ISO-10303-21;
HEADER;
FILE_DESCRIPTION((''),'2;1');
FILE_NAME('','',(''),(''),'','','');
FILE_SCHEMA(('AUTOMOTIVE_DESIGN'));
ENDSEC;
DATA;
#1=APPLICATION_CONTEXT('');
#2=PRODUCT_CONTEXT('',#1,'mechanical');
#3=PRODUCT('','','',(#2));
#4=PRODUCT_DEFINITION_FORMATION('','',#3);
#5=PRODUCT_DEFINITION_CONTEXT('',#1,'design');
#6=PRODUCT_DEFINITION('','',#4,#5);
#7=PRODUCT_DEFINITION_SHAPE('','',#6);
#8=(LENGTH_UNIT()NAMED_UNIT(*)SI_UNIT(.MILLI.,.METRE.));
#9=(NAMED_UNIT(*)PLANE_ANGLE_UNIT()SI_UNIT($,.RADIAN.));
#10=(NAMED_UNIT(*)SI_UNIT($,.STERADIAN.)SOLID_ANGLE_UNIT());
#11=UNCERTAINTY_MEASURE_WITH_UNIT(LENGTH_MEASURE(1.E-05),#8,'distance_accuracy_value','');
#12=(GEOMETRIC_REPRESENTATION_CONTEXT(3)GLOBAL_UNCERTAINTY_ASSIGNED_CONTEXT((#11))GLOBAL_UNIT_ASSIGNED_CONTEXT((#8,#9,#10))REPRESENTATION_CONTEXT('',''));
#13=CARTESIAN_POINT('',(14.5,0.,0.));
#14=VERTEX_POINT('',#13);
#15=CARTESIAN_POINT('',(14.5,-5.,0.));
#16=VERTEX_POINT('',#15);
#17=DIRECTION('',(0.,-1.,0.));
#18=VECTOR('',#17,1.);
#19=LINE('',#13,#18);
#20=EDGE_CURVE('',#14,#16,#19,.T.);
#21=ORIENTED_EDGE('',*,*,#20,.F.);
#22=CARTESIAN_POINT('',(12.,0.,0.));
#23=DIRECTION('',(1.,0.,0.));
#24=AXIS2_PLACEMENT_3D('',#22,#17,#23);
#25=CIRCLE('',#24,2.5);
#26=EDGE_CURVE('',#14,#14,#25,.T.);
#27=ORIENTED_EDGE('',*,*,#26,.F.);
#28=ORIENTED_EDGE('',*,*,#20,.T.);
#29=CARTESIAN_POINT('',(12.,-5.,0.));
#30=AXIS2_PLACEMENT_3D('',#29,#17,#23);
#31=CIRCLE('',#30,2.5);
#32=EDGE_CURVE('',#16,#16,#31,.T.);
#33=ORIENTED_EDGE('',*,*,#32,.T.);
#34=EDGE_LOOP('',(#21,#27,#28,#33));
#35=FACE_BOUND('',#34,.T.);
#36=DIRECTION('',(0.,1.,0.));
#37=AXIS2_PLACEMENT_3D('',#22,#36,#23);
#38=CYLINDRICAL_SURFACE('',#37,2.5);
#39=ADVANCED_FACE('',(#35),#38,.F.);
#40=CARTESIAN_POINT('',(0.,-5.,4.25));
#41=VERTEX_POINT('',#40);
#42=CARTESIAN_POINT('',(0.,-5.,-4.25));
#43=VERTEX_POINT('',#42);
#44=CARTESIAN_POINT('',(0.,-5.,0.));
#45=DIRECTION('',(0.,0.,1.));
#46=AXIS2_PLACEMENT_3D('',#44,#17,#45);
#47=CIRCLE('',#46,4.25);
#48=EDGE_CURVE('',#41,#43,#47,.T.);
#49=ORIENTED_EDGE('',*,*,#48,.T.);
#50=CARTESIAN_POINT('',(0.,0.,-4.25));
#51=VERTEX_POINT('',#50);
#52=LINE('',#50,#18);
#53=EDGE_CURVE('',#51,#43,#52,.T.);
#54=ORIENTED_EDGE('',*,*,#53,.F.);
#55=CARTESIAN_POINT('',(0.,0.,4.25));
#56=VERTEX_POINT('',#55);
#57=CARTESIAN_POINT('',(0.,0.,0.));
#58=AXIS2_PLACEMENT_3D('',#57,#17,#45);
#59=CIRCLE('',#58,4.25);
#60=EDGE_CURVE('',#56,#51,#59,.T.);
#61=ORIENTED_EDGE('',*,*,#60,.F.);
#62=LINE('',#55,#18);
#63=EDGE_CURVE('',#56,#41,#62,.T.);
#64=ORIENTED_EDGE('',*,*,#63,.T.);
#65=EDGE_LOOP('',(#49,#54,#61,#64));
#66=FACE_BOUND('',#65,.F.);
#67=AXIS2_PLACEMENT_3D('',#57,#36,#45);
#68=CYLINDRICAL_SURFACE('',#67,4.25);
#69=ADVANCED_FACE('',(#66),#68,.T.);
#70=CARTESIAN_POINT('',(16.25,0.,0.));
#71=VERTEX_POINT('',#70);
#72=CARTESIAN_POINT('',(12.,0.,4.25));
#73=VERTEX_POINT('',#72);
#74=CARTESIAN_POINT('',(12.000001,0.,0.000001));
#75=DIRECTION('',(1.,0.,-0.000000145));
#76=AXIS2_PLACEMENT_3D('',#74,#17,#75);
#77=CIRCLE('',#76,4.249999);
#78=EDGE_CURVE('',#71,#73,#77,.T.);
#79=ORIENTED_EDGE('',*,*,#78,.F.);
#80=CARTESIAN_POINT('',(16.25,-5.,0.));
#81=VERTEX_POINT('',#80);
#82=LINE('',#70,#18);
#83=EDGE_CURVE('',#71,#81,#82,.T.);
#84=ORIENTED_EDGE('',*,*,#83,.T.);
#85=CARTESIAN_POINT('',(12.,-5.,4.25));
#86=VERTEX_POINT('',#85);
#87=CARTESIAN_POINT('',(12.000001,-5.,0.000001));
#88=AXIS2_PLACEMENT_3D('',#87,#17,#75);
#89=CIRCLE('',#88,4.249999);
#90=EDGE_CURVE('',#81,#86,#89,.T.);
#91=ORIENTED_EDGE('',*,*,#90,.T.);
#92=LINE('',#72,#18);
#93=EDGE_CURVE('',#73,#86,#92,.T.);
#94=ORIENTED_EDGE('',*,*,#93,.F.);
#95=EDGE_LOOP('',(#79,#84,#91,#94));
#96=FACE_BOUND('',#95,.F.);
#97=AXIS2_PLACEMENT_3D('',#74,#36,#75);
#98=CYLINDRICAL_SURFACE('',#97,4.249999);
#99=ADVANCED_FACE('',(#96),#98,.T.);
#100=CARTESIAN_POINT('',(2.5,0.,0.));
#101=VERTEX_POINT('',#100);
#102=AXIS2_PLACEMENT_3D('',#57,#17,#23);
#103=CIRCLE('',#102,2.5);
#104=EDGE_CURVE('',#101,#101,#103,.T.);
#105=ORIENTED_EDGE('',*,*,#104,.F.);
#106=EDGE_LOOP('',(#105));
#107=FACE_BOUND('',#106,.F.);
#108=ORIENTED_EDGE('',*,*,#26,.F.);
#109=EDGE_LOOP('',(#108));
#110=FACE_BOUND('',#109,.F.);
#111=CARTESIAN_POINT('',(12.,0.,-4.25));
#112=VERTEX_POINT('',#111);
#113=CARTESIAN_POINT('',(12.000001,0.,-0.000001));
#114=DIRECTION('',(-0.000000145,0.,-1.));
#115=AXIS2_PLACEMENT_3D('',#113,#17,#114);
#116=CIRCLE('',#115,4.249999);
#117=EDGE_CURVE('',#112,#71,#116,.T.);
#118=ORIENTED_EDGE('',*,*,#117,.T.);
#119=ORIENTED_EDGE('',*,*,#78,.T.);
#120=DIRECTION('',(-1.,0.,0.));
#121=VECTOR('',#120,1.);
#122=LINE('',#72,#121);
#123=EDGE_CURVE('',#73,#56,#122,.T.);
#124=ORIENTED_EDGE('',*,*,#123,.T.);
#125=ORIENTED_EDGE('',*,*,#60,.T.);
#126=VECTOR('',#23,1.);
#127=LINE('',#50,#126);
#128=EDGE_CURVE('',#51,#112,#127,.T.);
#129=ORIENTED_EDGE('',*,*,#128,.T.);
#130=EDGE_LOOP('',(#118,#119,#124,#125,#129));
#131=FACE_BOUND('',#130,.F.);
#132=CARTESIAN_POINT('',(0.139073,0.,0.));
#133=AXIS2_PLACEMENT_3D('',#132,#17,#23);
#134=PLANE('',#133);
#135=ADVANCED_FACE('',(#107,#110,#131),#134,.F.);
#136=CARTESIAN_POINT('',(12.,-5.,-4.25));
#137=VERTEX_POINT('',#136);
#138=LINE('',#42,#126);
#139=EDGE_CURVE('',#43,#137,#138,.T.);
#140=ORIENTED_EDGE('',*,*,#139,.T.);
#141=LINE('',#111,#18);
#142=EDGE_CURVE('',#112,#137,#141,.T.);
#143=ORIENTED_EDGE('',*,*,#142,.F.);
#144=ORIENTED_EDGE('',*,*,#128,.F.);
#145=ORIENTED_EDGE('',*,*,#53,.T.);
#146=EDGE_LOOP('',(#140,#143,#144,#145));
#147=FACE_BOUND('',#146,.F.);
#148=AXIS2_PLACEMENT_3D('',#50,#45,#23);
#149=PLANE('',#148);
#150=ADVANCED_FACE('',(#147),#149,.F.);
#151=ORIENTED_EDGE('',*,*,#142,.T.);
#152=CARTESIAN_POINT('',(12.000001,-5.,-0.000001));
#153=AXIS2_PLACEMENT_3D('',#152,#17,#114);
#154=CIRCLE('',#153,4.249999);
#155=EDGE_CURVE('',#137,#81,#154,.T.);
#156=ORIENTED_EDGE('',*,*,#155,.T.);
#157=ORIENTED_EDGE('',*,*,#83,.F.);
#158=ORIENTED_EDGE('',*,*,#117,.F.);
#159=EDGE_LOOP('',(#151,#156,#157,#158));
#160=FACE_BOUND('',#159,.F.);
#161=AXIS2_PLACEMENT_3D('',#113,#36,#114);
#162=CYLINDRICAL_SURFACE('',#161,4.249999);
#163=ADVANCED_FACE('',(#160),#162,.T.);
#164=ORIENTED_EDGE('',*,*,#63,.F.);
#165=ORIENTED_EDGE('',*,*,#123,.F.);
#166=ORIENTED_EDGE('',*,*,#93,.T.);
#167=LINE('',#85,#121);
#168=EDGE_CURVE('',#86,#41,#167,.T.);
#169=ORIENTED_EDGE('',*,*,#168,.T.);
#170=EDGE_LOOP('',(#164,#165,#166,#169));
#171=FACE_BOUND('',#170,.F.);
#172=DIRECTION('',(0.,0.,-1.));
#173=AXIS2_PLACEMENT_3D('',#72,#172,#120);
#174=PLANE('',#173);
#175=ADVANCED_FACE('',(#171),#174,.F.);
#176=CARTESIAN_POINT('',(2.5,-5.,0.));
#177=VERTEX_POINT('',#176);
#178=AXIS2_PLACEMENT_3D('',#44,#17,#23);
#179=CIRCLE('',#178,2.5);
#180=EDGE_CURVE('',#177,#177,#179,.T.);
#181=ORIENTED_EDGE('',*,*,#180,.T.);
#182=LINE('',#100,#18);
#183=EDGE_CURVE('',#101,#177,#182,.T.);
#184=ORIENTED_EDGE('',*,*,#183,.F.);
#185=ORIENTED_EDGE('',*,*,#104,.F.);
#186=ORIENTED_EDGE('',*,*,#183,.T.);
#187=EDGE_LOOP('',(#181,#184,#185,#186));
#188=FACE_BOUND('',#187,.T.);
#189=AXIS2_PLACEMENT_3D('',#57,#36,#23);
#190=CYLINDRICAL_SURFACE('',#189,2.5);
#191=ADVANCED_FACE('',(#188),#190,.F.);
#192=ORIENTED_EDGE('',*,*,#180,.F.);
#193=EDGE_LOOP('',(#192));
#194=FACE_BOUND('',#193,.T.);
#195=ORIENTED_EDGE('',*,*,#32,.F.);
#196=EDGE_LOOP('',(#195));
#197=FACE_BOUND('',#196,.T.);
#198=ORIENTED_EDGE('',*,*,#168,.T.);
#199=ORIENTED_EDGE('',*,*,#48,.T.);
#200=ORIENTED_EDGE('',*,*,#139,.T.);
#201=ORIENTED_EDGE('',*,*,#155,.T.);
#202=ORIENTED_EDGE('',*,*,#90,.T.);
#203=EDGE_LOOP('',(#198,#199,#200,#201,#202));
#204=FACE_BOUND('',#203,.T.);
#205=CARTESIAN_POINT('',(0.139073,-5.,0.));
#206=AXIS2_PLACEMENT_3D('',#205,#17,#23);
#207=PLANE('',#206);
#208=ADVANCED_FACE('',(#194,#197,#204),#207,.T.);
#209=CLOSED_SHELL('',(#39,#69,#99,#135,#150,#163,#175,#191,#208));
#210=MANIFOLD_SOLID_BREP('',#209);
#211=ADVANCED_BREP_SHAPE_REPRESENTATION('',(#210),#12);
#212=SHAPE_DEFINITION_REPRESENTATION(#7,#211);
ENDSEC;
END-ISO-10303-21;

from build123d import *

# Parameters (mm, degrees)
F0_R     = 2.5
F1_DEPTH = 5


with BuildPart() as f1:
    # F0 (on Front) → F1 (new body)
    with BuildSketch(Plane.XZ):
        with BuildLine():
            ThreePointArc((0, -4.25), (3.005204, -3.005204), (4.25, 0))
            ThreePointArc((4.25, 0), (3.005204, 3.005204), (0, 4.25))
            ThreePointArc((0, 4.25), (-4.25, 0), (0, -4.25))
        make_face()
        Circle(F0_R, mode=Mode.SUBTRACT)
        with BuildLine():
            ThreePointArc((16.25, 0), (15.005204, 3.005204), (12, 4.25))
            ThreePointArc((12, 4.25), (7.75, 0), (12, -4.25))
            ThreePointArc((12, -4.25), (15.005204, -3.005204), (16.25, 0))
        make_face()
        with Locations((12, 0)):
            Circle(F0_R, mode=Mode.SUBTRACT)
        with BuildLine():
            ThreePointArc((0, 4.25), (3.005204, 3.005204), (4.25, 0))
            ThreePointArc((4.25, 0), (3.005204, -3.005204), (0, -4.25))
            Line((0, -4.25), (12, -4.25))
            ThreePointArc((12, -4.25), (7.75, 0), (12, 4.25))
            Line((12, 4.25), (0, 4.25))
        make_face()
    extrude(amount=F1_DEPTH)


solid = f1.part
